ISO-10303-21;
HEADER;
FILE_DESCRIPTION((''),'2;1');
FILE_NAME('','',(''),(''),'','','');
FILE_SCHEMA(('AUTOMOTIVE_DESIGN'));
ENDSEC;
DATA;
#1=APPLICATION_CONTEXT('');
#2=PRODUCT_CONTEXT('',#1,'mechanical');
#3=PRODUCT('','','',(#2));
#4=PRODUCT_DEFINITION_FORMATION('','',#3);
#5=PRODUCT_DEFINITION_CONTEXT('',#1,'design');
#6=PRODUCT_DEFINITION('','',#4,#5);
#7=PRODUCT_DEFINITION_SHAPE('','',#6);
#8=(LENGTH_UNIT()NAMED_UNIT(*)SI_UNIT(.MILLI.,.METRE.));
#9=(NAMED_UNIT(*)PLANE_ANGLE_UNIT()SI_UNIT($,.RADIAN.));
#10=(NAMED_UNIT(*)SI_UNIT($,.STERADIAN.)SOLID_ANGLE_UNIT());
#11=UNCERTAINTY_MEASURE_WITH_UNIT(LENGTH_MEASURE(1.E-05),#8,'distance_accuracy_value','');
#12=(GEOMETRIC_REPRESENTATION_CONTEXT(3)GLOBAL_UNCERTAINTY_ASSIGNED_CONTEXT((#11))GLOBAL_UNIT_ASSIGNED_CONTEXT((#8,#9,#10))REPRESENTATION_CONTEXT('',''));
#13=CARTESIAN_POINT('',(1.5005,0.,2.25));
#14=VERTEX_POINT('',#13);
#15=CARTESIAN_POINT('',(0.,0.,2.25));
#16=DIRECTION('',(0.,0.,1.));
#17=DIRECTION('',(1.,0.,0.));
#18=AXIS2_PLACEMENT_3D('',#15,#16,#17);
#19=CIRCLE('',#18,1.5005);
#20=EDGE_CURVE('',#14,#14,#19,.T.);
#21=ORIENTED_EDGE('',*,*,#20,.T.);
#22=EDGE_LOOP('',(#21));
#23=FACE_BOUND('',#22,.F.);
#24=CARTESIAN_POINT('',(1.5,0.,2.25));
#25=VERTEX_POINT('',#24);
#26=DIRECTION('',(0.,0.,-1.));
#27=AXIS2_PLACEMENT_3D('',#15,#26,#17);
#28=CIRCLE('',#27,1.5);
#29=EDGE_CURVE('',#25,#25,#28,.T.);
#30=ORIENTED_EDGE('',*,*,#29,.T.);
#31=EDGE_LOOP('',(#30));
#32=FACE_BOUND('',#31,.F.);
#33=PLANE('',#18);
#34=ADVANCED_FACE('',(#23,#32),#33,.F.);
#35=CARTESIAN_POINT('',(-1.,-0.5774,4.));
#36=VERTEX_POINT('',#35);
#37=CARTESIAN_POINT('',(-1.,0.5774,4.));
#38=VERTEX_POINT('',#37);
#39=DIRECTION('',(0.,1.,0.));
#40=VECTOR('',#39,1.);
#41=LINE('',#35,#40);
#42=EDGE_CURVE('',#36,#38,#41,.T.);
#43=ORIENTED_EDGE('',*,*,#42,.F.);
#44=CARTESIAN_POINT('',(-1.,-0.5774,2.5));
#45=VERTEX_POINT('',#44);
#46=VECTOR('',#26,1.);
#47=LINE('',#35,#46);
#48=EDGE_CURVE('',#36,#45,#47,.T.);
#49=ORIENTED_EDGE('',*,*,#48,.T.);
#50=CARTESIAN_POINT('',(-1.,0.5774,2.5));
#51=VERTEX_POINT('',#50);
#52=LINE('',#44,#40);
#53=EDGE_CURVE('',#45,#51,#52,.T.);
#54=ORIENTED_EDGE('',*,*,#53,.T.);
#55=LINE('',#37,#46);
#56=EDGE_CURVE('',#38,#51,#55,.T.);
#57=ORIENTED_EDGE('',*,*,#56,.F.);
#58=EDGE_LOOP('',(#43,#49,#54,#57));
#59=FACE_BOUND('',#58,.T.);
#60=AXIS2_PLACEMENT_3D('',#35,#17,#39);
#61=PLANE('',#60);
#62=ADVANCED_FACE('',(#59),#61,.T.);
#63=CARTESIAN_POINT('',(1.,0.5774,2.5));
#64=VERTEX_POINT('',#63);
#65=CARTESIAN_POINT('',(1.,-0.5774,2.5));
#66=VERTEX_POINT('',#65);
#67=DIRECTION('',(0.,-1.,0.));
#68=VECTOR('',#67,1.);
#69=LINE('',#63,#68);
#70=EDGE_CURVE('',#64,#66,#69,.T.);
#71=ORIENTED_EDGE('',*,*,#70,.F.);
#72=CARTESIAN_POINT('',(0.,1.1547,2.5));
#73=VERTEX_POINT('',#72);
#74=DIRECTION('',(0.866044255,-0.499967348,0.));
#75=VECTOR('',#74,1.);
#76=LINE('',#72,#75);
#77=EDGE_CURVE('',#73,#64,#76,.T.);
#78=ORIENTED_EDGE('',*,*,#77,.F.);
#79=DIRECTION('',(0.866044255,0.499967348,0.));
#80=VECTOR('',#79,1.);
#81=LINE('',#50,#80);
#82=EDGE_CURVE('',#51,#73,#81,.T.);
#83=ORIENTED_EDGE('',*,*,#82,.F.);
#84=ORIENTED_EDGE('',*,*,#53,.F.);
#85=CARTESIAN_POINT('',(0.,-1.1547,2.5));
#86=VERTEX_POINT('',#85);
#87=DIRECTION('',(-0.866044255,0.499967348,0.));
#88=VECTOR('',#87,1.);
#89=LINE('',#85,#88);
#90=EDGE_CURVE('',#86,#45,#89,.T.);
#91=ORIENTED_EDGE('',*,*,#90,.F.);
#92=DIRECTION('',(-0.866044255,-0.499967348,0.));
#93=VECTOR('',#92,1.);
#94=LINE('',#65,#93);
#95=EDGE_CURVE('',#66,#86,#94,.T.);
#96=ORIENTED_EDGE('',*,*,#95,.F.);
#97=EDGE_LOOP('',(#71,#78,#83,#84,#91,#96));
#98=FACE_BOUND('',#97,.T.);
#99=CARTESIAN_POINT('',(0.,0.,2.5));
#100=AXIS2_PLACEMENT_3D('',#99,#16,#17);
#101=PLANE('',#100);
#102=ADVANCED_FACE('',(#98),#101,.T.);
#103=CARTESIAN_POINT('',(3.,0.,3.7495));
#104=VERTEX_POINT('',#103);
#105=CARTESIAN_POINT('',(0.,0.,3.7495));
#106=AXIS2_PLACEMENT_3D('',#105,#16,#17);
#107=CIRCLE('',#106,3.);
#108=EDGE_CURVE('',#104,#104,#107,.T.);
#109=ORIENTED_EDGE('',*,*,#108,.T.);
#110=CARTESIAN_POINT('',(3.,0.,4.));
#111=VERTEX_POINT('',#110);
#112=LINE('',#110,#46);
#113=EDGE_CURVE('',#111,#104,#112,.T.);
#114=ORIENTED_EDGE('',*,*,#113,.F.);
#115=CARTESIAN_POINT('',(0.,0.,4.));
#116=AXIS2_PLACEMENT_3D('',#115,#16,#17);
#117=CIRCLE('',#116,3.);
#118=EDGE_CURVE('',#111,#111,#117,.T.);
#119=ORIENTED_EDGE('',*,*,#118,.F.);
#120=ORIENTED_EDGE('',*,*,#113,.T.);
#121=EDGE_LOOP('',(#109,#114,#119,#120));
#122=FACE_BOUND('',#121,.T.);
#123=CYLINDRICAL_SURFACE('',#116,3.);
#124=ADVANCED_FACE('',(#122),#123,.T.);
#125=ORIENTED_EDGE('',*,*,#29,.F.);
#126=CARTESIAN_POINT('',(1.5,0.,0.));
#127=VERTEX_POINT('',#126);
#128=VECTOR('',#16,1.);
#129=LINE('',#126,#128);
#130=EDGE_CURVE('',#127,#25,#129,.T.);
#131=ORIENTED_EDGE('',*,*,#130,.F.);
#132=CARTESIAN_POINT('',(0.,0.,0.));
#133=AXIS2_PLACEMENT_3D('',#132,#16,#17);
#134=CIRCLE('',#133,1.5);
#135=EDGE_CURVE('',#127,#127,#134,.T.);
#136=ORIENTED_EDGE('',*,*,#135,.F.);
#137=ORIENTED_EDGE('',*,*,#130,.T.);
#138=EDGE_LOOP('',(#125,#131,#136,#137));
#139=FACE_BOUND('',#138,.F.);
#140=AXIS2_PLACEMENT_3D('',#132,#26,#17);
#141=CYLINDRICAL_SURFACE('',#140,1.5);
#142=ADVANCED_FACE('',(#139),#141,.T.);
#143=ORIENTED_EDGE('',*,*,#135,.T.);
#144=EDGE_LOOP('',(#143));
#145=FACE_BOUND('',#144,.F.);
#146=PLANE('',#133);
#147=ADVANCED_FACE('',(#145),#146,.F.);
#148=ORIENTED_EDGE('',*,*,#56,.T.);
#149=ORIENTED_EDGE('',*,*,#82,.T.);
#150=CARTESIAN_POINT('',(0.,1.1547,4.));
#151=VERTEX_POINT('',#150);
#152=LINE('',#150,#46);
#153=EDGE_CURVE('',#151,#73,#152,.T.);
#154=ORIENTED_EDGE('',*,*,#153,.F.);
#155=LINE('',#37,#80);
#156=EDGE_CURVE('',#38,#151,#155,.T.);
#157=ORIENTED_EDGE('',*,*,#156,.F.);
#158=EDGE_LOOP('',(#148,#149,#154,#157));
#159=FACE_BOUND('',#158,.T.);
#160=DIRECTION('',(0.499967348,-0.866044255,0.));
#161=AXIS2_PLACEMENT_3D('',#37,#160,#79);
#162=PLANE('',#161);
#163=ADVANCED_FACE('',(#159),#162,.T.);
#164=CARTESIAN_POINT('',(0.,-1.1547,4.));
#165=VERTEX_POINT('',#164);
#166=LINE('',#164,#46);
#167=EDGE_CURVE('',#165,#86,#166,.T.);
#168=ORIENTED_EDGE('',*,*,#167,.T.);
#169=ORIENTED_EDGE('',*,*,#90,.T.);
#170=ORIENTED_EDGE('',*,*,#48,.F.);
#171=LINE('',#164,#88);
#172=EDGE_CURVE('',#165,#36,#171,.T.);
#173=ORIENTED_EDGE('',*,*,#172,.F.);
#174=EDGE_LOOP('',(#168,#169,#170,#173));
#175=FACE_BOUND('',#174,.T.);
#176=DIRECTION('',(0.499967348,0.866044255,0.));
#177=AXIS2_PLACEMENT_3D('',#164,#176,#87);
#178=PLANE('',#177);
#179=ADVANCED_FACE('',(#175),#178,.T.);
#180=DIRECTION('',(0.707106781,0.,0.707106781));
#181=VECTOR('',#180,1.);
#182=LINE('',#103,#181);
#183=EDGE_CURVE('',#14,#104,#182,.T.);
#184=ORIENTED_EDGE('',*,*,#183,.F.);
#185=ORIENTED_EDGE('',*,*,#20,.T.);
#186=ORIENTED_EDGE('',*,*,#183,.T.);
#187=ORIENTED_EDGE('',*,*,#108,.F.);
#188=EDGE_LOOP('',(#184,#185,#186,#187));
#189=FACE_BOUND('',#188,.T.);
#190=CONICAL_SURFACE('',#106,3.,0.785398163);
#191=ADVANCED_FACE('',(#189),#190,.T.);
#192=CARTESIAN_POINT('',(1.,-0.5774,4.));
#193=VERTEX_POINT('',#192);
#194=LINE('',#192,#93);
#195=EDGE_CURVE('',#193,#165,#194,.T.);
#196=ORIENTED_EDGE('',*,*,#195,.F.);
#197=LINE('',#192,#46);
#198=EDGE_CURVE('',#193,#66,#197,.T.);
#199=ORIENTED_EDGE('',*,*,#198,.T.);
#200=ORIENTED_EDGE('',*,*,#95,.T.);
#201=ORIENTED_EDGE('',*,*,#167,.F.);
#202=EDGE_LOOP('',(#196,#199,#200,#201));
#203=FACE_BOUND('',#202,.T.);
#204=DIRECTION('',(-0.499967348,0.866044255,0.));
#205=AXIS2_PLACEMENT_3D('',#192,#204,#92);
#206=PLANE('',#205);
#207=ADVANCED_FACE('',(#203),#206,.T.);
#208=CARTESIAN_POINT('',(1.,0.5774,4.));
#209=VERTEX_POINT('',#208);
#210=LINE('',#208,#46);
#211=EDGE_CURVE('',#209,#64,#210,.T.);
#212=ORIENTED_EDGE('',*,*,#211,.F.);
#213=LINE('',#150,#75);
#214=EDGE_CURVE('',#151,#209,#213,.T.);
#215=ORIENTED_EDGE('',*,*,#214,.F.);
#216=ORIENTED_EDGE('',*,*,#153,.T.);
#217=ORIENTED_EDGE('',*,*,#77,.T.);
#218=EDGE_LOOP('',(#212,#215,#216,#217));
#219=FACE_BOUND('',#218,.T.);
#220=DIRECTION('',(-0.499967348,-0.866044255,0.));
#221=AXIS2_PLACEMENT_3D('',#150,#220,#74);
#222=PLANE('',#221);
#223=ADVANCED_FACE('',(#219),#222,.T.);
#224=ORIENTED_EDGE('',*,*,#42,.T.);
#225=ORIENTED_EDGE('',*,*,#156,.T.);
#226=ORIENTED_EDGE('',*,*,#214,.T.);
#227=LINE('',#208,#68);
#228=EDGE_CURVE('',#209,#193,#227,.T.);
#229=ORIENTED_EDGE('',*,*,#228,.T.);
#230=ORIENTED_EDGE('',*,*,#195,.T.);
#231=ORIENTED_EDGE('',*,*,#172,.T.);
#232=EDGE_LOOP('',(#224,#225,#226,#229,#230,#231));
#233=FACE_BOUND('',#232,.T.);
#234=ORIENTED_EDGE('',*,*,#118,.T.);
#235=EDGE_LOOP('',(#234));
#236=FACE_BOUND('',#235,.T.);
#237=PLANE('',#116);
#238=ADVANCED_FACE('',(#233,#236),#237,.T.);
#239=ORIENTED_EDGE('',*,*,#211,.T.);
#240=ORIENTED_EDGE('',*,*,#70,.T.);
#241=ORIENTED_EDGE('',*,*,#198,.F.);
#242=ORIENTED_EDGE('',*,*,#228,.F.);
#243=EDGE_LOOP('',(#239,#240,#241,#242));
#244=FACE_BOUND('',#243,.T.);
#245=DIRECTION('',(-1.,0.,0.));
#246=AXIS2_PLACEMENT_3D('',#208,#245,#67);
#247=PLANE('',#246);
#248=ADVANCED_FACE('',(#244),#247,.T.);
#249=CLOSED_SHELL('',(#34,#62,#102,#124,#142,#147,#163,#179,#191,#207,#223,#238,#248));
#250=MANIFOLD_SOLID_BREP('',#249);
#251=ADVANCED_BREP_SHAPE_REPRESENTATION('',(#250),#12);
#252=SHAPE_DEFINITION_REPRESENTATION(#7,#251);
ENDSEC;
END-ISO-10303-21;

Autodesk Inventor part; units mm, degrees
ref_plane "YZ Plane" through (0, 0, 0) normal (1, 0, 0) x (0, 1, 0)
ref_plane "XZ Plane" through (0, 0, 0) normal (0, 1, 0) x (-1, 0, 0)
ref_plane "XY Plane" through (0, 0, 0) normal (0, 0, 1) x (1, 0, 0)
sketch "スケッチ1" plane through (0, 0, 0) normal (0, 0, 1) x (1, 0, 0)
  circle A0 centre (0, 0) radius 1.5
  dimension "d0" = 3
extrude "押し出し1" add sketch "スケッチ1" along normal blind 4
thread "ねじ1" size "M3x0.5" class "6g" standard "ANSI Metric M Profile" full length
sketch "スケッチ2" plane through (0, 0, 4) normal (0, 0, 1) x (1, 0, 0)
  circle A0 centre (0, 0) radius 3
  dimension "d5" = 6
extrude "押し出し2" add sketch "スケッチ2" against normal blind 1.75
chamfer "面取り1" distance 1.5 angle 45 1 edges at (-3, 0, 2.25)
sketch "スケッチ3" plane through (0, 0, 4) normal (0, 0, 1) x (1, 0, 0)
  line L0 (0, 1.1547) -> (1, 0.5774)
  line L1 (1, 0.5774) -> (1, -0.5774)
  line L2 (1, -0.5774) -> (0, -1.1547)
  line L3 (0, -1.1547) -> (-1, -0.5774)
  line L4 (-1, -0.5774) -> (-1, 0.5774)
  line L5 (-1, 0.5774) -> (0, 1.1547)
  point P0 (0, 0)
  point P1 (0, 0)
  dimension "d11" = 2
extrude "押し出し3" cut sketch "スケッチ3" against normal blind 1.5
properties part number "m3皿ネジ4" material "鉄 灰色"
